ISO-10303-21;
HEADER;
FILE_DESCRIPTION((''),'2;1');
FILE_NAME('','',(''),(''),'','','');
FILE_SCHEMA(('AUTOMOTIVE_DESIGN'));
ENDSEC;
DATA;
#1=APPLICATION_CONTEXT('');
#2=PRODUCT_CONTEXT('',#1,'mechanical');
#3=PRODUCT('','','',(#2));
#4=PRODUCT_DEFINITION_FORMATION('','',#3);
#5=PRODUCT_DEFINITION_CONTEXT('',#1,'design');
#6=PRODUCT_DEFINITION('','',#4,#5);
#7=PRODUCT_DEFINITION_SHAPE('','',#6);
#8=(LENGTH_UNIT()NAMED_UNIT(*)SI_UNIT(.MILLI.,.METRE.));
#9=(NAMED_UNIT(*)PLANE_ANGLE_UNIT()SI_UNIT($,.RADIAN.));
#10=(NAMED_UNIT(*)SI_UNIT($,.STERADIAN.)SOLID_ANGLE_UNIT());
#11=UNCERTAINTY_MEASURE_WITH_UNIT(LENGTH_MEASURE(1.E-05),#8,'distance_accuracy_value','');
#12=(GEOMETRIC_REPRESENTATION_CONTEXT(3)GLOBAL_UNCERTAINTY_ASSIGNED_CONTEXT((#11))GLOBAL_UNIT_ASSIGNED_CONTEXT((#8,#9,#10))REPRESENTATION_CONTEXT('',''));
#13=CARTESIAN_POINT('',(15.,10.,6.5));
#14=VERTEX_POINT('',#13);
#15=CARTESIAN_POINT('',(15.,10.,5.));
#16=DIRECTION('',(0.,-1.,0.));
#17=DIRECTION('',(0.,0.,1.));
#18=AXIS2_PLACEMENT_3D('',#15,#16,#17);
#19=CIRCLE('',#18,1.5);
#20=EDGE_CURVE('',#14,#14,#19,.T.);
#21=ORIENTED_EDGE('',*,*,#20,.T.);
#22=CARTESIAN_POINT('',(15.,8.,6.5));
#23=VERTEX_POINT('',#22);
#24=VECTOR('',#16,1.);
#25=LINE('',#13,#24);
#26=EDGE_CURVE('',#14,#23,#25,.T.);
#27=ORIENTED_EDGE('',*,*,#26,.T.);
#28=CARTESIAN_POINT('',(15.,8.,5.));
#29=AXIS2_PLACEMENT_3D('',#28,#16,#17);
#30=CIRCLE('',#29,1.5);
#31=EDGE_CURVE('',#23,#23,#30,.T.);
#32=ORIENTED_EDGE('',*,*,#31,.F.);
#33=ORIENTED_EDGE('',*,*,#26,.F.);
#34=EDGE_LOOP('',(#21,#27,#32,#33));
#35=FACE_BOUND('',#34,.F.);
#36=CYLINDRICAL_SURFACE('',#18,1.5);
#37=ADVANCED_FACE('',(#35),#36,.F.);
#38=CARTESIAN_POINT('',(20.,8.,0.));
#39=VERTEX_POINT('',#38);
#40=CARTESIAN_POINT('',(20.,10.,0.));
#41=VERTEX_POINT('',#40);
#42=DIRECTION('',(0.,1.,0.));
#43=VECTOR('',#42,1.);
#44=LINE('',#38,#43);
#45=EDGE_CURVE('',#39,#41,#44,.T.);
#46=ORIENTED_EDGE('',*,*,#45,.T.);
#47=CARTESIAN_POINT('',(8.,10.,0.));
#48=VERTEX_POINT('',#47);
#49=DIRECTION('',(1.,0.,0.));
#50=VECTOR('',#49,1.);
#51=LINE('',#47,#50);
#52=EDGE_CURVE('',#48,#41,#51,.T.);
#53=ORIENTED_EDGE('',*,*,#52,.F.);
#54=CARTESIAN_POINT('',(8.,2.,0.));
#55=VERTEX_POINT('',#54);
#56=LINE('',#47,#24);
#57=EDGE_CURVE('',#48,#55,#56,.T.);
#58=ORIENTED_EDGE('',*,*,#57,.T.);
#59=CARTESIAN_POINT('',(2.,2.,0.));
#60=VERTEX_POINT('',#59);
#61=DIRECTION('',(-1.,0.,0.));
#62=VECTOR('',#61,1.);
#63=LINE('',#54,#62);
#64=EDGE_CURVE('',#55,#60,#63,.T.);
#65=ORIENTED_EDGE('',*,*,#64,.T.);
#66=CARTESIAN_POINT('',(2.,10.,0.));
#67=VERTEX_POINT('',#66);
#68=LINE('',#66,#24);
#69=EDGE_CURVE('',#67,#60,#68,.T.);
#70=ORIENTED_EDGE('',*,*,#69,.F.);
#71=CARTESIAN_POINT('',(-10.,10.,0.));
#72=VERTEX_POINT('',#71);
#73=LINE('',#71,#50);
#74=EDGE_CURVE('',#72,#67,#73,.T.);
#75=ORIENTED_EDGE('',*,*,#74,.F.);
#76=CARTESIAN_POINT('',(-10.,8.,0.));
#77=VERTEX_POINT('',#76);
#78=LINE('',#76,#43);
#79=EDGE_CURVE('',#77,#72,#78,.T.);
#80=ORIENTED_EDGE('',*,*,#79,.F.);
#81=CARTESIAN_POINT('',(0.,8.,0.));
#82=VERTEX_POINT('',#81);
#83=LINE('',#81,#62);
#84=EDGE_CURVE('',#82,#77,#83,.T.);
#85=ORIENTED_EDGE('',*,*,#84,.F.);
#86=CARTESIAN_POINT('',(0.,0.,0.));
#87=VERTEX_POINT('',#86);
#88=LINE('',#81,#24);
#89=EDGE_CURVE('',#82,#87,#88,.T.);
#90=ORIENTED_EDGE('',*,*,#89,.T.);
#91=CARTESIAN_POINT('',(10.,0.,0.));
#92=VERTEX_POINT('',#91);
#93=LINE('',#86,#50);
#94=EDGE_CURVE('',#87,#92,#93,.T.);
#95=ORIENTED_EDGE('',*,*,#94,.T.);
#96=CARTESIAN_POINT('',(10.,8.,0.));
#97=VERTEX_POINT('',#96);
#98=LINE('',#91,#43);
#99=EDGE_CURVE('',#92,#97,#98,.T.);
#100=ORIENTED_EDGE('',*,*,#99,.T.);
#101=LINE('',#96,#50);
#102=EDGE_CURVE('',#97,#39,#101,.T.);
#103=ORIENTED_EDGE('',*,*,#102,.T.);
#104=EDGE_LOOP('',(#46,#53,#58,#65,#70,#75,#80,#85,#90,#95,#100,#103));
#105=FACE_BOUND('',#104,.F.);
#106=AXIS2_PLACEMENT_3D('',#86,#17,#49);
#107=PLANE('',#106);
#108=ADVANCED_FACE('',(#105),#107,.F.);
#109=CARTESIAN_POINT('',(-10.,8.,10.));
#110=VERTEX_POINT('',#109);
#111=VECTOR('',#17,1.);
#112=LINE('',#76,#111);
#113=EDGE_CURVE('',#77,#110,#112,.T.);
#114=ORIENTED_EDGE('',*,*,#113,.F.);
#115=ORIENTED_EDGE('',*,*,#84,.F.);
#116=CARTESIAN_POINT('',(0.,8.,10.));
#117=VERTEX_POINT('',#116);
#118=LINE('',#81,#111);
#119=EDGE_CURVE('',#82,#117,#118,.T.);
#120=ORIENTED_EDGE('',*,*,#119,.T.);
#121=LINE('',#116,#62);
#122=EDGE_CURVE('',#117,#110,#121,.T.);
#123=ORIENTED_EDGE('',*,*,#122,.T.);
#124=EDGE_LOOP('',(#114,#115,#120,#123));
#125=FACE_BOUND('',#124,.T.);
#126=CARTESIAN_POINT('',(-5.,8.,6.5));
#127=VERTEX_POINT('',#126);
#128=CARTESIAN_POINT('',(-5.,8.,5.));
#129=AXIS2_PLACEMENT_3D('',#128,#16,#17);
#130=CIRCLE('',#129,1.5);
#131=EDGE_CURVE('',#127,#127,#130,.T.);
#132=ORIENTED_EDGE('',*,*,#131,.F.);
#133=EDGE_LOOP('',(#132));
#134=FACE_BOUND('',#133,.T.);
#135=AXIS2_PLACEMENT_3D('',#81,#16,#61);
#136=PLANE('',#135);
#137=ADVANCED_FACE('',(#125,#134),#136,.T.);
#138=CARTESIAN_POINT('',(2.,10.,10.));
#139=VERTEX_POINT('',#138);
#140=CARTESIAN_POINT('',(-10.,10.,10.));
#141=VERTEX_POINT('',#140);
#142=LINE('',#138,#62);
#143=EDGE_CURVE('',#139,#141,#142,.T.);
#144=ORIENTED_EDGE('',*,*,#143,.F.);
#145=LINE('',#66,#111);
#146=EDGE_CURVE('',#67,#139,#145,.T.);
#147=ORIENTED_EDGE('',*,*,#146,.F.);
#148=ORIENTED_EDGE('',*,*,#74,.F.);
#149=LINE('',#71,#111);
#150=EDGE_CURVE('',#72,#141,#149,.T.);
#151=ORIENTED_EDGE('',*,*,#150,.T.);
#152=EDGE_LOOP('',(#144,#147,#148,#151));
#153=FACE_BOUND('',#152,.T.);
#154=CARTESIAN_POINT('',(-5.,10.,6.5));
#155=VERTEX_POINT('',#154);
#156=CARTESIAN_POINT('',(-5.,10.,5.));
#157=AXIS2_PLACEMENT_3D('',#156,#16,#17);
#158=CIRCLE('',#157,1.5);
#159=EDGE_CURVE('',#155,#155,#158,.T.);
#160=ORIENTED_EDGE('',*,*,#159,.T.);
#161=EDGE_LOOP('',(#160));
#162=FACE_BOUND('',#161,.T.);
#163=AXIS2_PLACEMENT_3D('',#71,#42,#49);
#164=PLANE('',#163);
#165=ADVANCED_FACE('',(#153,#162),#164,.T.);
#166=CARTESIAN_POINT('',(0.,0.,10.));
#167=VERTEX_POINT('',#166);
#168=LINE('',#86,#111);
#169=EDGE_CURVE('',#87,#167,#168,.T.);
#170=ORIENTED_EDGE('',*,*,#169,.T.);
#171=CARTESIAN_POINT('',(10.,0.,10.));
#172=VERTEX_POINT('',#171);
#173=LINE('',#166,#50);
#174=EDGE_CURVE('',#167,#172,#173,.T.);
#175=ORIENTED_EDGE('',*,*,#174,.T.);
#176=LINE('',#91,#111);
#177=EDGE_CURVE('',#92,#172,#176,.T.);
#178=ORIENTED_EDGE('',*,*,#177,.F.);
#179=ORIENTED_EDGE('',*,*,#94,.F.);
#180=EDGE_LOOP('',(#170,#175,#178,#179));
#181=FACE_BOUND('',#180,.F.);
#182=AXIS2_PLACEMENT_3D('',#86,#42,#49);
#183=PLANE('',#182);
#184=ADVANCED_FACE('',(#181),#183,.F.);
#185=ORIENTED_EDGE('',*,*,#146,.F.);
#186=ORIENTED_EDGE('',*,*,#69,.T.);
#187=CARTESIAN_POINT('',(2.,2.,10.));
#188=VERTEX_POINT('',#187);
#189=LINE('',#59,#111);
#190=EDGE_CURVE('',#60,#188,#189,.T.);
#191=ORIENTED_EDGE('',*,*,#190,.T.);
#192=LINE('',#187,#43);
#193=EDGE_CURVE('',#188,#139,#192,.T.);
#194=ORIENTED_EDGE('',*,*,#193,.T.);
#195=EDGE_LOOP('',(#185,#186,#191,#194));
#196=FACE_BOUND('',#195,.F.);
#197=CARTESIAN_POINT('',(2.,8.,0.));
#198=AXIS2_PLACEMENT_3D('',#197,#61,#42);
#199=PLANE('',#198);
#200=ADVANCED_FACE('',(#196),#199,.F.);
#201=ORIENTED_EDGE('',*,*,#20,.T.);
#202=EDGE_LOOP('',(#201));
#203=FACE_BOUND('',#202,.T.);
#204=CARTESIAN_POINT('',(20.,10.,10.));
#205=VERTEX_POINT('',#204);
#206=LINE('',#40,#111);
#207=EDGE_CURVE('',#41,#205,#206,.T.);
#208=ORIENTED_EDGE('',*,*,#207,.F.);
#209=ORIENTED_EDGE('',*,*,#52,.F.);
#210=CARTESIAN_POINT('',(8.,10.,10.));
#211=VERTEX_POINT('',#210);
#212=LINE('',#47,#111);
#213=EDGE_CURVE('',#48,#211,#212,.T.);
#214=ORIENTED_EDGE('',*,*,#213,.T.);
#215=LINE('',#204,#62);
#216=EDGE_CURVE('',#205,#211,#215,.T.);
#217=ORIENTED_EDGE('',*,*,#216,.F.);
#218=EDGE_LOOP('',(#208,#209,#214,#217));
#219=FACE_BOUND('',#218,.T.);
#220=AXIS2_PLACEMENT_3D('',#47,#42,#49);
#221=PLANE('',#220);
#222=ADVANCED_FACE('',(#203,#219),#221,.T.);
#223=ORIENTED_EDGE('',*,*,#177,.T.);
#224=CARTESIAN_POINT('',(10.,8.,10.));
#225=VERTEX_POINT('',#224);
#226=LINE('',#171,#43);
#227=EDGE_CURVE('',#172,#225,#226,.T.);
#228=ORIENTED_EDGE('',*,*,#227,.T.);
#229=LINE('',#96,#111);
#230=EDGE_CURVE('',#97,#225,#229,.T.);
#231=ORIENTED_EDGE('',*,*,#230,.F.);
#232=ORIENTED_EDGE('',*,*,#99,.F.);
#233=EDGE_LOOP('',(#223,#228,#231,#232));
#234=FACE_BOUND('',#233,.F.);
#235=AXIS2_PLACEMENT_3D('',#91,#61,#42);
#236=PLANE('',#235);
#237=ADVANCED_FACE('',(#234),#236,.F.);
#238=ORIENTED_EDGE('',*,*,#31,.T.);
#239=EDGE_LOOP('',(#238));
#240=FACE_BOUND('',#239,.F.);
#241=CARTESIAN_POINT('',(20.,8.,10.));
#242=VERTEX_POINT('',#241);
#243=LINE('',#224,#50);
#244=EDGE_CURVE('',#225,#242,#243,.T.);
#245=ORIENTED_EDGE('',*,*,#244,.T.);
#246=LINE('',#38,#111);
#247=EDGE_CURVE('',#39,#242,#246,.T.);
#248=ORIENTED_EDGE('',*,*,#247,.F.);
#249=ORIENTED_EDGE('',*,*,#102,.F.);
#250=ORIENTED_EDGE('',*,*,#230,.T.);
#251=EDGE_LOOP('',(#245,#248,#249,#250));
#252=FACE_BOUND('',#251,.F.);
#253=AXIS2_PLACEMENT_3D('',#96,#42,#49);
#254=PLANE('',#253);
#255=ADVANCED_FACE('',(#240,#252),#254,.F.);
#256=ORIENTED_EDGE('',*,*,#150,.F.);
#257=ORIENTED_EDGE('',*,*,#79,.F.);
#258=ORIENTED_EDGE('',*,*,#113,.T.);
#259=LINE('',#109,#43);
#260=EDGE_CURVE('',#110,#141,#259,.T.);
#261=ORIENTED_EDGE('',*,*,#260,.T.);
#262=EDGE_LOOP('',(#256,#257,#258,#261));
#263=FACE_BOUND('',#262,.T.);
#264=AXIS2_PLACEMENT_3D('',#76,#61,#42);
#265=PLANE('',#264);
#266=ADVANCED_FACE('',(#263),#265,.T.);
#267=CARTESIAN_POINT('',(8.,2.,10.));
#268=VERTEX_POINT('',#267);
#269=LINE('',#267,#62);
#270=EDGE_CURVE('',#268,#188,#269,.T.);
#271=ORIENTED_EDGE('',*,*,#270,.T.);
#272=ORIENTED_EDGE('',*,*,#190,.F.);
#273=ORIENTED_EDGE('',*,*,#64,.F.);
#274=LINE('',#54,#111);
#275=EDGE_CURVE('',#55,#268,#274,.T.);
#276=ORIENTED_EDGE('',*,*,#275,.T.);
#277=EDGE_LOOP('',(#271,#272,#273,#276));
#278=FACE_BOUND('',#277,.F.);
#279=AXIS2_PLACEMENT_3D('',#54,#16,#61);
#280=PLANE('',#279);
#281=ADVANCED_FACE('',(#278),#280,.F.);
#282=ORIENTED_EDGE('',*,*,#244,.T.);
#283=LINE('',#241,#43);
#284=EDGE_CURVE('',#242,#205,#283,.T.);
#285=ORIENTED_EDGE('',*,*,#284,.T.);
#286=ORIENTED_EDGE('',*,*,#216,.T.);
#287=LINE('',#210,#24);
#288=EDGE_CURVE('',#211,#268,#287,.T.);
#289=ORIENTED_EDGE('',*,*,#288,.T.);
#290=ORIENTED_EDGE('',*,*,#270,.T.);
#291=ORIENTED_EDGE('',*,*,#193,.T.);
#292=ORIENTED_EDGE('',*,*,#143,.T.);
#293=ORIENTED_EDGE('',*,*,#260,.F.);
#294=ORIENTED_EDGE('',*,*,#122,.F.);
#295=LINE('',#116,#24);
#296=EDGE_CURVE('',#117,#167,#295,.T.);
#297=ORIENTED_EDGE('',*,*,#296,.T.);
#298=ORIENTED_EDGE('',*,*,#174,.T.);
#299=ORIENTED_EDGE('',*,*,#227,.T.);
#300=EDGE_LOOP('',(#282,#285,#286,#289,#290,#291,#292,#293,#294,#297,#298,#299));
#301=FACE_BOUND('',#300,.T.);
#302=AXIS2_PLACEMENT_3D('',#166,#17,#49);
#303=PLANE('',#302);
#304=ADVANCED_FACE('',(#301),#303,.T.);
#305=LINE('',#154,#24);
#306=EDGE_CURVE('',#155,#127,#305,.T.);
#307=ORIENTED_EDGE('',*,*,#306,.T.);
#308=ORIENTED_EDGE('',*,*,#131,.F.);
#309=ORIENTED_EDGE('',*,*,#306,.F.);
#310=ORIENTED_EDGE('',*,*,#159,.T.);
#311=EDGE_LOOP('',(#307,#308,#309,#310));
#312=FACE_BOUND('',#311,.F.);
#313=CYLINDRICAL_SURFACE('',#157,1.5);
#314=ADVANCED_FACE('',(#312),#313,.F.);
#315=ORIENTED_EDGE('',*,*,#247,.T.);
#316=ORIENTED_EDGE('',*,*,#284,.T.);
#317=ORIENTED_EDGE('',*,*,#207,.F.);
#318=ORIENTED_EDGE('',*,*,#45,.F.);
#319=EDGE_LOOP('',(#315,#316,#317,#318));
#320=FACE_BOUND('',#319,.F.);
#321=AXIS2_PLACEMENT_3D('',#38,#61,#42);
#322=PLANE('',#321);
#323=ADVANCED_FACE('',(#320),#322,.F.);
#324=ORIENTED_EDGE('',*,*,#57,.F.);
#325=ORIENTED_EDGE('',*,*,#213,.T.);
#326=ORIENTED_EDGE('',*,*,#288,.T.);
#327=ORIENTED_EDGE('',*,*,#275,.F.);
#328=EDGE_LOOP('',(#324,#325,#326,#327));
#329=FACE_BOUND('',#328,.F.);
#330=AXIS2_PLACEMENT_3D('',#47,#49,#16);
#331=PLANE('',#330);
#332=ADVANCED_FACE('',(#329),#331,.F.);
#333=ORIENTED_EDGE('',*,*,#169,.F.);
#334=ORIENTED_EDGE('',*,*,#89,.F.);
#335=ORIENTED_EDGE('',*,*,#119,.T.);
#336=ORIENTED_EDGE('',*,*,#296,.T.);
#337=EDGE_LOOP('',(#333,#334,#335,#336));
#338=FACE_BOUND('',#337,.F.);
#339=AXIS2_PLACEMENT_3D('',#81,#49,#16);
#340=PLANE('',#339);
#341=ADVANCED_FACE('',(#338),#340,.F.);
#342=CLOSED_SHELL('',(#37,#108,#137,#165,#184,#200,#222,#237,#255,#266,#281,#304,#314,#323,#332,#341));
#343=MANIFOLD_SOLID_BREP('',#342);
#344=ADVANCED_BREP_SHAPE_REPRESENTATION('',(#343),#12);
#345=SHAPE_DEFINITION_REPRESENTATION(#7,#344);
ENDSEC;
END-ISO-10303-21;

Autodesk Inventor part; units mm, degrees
ref_plane "YZ Plane" through (0, 0, 0) normal (1, 0, 0) x (0, 1, 0)
ref_plane "XZ Plane" through (0, 0, 0) normal (0, 1, 0) x (-1, 0, 0)
ref_plane "XY Plane" through (0, 0, 0) normal (0, 0, 1) x (1, 0, 0)
sketch "Sketch1" plane through (0, 0, 0) normal (0, 0, 1) x (1, 0, 0)
  line L0 (0, 0) -> (10, 0)
  line L1 (10, 0) -> (10, 8)
  line L2 (0, 8) -> (0, 0)
  line L3 (8, 10) -> (8, 2)
  line L4 (8, 2) -> (2, 2)
  line L5 (2, 2) -> (2, 8)
  line L6 (0, 8) -> (-10, 8)
  line L7 (-10, 8) -> (-10, 10)
  line L8 (10, 8) -> (20, 8)
  line L9 (20, 8) -> (20, 10)
  line L10 (2, 8) -> (2, 10)
  line L11 (-10, 10) -> (2, 10)
  line L12 (8, 10) -> (20, 10)
  line L13 (10, 10) -> (8, 10)
  line L14 (2, 10) -> (0, 10)
  dimension "d3" = 10
  dimension "d4" = 10
extrude "Extrusion1" add sketch "Sketch1" along normal blind 10
sketch "Sketch2" plane through (-10, 10, 0) normal (0, 1, 0) x (1, 0, 0)
  line L0 (12, -10) -> (0, -10) projected
  line L1 (0, 0) -> (0, -10) projected
  line L2 (30, 0) -> (18, 0) projected
  line L3 (30, 0) -> (30, -10) projected
  point P0 (10, 0)
  point P1 (5, -5)
  point P2 (25, -5)
  dimension "d14" = 5
  dimension "d15" = 5
  dimension "d16" = 5
  dimension "d17" = 5
hole "Hole1" at (-5, 10, 5) at (15, 10, 5) direction (0, -1, 0) diameter 3 end through all
properties part number "CAM_HOLD"
